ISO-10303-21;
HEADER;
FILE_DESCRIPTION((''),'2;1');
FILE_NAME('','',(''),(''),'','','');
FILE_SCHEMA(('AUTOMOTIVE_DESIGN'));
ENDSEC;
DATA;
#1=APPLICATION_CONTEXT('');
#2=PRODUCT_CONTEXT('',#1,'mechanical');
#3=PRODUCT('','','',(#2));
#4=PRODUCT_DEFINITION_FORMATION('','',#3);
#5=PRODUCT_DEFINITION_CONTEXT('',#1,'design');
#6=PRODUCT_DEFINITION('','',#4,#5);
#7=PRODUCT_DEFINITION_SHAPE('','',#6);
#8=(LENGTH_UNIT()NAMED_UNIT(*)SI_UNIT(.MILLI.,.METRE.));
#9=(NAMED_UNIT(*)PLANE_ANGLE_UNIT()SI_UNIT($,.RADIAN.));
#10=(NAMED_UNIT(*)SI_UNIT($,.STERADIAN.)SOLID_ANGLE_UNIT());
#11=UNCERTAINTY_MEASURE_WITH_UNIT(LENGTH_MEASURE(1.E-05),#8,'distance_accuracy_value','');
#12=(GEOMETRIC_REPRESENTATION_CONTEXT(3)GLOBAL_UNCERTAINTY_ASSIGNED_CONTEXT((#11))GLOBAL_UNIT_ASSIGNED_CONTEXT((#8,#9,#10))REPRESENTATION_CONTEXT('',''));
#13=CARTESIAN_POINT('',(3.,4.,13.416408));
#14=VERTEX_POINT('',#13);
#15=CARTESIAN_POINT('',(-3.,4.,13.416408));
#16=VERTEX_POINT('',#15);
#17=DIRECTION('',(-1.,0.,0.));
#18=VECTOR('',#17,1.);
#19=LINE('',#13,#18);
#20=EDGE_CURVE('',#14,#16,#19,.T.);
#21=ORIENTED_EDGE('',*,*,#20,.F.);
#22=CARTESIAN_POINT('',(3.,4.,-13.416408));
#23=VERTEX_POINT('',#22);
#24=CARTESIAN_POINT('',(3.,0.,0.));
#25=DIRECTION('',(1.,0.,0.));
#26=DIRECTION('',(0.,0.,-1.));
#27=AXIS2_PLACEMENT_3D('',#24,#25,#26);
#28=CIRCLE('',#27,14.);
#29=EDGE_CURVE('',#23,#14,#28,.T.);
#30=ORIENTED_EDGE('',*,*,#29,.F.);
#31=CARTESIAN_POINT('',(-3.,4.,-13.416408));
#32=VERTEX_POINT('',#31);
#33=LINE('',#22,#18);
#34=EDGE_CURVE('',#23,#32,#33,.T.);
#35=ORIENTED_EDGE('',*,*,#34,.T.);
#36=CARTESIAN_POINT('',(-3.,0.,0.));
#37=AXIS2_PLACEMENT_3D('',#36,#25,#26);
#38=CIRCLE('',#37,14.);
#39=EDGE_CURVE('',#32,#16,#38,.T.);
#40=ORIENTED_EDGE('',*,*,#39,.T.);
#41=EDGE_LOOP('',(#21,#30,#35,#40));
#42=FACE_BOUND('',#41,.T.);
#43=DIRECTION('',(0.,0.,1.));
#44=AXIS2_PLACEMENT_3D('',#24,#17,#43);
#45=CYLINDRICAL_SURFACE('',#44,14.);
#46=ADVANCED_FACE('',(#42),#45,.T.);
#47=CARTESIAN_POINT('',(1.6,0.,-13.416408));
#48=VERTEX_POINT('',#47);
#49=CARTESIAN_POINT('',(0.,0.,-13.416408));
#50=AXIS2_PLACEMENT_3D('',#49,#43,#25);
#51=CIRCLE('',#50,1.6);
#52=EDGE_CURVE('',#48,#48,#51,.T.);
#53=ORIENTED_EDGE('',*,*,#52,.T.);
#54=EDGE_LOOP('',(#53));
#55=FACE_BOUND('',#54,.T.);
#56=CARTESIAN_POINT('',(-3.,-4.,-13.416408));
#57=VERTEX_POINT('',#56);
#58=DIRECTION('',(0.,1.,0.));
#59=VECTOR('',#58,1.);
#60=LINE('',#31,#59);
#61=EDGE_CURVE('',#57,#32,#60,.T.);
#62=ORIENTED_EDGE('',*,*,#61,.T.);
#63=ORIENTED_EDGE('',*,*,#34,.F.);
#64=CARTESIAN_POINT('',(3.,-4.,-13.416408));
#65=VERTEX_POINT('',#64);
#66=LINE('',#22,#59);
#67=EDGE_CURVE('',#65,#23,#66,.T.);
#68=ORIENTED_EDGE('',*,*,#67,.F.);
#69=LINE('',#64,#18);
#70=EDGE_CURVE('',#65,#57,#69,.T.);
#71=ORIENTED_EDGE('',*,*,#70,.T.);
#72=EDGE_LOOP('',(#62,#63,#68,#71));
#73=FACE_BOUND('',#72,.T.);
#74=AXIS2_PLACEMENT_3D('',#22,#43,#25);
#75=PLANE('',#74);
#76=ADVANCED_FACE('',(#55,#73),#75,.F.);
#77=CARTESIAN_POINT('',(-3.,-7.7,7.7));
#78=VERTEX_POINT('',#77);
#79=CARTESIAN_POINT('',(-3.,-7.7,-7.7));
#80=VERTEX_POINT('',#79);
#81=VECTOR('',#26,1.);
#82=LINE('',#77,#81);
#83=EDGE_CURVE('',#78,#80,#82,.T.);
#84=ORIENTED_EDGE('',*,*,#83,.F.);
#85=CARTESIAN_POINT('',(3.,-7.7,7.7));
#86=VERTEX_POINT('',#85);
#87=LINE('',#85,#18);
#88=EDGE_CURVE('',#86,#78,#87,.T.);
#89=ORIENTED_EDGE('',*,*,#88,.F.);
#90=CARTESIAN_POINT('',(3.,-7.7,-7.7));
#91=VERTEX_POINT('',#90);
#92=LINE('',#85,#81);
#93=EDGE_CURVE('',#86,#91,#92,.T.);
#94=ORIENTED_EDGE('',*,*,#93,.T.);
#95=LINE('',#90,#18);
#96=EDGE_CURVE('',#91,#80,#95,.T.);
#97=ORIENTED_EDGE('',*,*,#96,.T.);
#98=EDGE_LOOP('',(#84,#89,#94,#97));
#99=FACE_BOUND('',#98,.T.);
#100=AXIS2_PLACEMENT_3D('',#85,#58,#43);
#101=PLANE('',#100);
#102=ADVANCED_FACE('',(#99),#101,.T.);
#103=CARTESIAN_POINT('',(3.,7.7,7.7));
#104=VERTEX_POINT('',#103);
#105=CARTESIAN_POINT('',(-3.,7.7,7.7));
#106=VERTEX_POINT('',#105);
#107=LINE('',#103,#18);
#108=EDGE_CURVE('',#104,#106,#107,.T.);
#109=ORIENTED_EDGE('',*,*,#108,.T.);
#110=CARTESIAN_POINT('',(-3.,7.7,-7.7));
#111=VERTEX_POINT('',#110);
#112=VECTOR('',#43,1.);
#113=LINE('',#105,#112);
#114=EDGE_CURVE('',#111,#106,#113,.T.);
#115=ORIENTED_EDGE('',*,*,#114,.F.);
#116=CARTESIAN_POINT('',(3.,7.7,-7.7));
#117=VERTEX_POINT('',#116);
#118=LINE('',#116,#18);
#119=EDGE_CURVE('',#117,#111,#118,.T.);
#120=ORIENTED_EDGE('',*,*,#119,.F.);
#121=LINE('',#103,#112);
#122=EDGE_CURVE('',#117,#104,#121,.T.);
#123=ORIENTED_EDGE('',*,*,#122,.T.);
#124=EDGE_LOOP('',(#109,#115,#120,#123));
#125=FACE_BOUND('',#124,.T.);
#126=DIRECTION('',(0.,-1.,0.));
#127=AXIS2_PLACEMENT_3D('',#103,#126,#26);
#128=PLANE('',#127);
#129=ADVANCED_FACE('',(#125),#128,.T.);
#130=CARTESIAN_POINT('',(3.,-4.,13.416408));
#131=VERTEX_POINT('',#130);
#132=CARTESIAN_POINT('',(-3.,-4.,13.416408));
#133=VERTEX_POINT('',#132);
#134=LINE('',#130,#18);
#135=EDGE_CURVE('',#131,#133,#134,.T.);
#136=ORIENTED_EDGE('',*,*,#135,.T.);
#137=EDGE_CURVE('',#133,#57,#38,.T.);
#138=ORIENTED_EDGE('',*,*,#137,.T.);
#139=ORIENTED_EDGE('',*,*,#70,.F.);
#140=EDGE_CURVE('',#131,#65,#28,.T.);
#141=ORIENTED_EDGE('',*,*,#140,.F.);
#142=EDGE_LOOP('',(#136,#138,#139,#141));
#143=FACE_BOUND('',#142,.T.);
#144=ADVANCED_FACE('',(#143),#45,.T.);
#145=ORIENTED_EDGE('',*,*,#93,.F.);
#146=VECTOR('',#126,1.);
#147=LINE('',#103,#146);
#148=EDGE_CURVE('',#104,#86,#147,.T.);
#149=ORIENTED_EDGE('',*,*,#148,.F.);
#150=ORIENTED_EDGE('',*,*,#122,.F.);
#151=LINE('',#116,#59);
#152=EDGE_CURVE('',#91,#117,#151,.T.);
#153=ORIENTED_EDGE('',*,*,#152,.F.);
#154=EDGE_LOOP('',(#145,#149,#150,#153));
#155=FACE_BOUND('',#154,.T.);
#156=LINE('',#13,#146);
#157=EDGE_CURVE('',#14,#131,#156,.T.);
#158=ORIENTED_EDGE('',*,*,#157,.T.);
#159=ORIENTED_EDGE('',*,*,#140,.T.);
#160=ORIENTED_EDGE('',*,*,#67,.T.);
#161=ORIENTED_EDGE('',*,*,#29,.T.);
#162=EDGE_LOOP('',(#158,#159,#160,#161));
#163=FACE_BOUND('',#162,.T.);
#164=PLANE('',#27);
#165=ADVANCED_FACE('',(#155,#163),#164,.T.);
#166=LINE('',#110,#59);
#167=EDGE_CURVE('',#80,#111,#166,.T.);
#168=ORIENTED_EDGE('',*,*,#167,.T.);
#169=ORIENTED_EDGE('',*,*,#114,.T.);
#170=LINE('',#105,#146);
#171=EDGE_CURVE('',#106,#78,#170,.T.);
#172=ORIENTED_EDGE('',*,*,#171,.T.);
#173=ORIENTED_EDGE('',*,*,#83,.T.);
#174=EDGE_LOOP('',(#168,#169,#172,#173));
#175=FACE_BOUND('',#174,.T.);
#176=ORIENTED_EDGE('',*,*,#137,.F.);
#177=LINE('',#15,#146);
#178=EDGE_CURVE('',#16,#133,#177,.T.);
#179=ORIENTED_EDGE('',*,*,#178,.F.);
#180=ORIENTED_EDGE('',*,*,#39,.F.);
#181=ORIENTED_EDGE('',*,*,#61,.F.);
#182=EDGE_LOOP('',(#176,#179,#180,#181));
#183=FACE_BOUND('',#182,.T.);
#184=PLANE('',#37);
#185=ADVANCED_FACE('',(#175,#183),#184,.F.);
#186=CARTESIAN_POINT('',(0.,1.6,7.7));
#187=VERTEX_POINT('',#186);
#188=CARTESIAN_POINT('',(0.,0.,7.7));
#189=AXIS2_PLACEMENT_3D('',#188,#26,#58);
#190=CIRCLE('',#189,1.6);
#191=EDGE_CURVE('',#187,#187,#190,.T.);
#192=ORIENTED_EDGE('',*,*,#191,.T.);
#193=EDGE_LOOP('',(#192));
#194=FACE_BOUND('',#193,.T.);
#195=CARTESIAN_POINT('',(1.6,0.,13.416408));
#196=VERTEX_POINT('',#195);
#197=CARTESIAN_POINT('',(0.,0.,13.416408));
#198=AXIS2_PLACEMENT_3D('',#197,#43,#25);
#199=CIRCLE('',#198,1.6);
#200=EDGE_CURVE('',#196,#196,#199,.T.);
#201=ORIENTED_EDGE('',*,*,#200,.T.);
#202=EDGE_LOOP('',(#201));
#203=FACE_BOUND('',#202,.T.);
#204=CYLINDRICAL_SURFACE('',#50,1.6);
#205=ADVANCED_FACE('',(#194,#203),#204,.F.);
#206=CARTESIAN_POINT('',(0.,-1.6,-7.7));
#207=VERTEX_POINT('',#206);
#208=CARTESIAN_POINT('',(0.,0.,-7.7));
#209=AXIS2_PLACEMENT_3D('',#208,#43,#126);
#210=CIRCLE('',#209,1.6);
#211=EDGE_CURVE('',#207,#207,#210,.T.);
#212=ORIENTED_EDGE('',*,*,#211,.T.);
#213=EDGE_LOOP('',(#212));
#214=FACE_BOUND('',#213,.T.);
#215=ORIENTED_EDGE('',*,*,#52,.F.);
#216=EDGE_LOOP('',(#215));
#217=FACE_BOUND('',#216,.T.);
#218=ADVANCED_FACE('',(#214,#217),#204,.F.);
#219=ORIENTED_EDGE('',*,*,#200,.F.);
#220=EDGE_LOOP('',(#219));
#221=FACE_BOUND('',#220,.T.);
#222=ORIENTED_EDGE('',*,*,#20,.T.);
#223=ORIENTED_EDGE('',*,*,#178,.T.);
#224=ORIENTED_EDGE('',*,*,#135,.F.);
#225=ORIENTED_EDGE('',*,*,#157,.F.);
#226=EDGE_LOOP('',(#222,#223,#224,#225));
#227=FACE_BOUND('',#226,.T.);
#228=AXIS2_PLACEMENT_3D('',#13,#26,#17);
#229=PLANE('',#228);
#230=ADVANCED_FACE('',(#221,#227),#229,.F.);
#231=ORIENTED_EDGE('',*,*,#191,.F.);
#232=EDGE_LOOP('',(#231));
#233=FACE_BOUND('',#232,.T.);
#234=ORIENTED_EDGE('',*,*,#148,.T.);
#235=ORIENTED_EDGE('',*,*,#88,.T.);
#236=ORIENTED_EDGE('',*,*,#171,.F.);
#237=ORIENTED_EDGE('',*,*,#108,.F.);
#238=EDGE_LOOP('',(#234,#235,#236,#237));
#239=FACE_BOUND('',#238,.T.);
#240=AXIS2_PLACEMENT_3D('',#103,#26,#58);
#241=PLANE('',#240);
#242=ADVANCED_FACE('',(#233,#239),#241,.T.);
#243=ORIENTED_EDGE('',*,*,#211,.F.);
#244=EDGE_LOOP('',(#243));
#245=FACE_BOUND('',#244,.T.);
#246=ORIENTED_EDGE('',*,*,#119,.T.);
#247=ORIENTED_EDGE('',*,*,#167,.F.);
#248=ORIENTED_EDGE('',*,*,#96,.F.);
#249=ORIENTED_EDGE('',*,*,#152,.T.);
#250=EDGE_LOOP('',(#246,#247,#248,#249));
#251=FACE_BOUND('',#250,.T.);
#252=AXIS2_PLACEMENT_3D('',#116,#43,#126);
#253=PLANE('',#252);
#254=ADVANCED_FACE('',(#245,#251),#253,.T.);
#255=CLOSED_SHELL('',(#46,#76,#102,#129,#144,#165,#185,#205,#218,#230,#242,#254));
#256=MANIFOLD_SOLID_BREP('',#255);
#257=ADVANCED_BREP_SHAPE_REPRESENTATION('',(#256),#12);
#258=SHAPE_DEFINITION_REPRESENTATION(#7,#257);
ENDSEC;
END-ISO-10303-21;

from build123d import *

# Parameters (mm, degrees)
SKETCH_1_W          = 15.4
SKETCH_1_H          = 15.4
EXTRUDE_1_DEPTH     = 3
SKETCH_3_R          = 1.6
CUT_EXTRUDE_1_DEPTH = 31.413812651


with BuildPart() as part:
    # 草图1 → 凸台-拉伸1 (new, symmetric)
    with BuildSketch(Plane(origin=(0, 0, 0), x_dir=(0, 0, -1), z_dir=(1, 0, 0))):
        with BuildLine():
            Line((13.416407865, 4), (13.416407865, -4))
            ThreePointArc((13.416407865, -4), (0, -14), (-13.416407865, -4))
            Line((-13.416407865, -4), (-13.416407865, 4))
            ThreePointArc((-13.416407865, 4), (0, 14), (13.416407865, 4))
        make_face()
        Rectangle(SKETCH_1_W, SKETCH_1_H, mode=Mode.SUBTRACT)
    extrude(amount=EXTRUDE_1_DEPTH, both=True)

    # 草图3 → 切除-拉伸1 (cut, through all)
    with BuildSketch(Plane.XY.offset(13.416407865)):
        Circle(SKETCH_3_R)
    extrude(amount=-CUT_EXTRUDE_1_DEPTH, mode=Mode.SUBTRACT)


solid = part.part
